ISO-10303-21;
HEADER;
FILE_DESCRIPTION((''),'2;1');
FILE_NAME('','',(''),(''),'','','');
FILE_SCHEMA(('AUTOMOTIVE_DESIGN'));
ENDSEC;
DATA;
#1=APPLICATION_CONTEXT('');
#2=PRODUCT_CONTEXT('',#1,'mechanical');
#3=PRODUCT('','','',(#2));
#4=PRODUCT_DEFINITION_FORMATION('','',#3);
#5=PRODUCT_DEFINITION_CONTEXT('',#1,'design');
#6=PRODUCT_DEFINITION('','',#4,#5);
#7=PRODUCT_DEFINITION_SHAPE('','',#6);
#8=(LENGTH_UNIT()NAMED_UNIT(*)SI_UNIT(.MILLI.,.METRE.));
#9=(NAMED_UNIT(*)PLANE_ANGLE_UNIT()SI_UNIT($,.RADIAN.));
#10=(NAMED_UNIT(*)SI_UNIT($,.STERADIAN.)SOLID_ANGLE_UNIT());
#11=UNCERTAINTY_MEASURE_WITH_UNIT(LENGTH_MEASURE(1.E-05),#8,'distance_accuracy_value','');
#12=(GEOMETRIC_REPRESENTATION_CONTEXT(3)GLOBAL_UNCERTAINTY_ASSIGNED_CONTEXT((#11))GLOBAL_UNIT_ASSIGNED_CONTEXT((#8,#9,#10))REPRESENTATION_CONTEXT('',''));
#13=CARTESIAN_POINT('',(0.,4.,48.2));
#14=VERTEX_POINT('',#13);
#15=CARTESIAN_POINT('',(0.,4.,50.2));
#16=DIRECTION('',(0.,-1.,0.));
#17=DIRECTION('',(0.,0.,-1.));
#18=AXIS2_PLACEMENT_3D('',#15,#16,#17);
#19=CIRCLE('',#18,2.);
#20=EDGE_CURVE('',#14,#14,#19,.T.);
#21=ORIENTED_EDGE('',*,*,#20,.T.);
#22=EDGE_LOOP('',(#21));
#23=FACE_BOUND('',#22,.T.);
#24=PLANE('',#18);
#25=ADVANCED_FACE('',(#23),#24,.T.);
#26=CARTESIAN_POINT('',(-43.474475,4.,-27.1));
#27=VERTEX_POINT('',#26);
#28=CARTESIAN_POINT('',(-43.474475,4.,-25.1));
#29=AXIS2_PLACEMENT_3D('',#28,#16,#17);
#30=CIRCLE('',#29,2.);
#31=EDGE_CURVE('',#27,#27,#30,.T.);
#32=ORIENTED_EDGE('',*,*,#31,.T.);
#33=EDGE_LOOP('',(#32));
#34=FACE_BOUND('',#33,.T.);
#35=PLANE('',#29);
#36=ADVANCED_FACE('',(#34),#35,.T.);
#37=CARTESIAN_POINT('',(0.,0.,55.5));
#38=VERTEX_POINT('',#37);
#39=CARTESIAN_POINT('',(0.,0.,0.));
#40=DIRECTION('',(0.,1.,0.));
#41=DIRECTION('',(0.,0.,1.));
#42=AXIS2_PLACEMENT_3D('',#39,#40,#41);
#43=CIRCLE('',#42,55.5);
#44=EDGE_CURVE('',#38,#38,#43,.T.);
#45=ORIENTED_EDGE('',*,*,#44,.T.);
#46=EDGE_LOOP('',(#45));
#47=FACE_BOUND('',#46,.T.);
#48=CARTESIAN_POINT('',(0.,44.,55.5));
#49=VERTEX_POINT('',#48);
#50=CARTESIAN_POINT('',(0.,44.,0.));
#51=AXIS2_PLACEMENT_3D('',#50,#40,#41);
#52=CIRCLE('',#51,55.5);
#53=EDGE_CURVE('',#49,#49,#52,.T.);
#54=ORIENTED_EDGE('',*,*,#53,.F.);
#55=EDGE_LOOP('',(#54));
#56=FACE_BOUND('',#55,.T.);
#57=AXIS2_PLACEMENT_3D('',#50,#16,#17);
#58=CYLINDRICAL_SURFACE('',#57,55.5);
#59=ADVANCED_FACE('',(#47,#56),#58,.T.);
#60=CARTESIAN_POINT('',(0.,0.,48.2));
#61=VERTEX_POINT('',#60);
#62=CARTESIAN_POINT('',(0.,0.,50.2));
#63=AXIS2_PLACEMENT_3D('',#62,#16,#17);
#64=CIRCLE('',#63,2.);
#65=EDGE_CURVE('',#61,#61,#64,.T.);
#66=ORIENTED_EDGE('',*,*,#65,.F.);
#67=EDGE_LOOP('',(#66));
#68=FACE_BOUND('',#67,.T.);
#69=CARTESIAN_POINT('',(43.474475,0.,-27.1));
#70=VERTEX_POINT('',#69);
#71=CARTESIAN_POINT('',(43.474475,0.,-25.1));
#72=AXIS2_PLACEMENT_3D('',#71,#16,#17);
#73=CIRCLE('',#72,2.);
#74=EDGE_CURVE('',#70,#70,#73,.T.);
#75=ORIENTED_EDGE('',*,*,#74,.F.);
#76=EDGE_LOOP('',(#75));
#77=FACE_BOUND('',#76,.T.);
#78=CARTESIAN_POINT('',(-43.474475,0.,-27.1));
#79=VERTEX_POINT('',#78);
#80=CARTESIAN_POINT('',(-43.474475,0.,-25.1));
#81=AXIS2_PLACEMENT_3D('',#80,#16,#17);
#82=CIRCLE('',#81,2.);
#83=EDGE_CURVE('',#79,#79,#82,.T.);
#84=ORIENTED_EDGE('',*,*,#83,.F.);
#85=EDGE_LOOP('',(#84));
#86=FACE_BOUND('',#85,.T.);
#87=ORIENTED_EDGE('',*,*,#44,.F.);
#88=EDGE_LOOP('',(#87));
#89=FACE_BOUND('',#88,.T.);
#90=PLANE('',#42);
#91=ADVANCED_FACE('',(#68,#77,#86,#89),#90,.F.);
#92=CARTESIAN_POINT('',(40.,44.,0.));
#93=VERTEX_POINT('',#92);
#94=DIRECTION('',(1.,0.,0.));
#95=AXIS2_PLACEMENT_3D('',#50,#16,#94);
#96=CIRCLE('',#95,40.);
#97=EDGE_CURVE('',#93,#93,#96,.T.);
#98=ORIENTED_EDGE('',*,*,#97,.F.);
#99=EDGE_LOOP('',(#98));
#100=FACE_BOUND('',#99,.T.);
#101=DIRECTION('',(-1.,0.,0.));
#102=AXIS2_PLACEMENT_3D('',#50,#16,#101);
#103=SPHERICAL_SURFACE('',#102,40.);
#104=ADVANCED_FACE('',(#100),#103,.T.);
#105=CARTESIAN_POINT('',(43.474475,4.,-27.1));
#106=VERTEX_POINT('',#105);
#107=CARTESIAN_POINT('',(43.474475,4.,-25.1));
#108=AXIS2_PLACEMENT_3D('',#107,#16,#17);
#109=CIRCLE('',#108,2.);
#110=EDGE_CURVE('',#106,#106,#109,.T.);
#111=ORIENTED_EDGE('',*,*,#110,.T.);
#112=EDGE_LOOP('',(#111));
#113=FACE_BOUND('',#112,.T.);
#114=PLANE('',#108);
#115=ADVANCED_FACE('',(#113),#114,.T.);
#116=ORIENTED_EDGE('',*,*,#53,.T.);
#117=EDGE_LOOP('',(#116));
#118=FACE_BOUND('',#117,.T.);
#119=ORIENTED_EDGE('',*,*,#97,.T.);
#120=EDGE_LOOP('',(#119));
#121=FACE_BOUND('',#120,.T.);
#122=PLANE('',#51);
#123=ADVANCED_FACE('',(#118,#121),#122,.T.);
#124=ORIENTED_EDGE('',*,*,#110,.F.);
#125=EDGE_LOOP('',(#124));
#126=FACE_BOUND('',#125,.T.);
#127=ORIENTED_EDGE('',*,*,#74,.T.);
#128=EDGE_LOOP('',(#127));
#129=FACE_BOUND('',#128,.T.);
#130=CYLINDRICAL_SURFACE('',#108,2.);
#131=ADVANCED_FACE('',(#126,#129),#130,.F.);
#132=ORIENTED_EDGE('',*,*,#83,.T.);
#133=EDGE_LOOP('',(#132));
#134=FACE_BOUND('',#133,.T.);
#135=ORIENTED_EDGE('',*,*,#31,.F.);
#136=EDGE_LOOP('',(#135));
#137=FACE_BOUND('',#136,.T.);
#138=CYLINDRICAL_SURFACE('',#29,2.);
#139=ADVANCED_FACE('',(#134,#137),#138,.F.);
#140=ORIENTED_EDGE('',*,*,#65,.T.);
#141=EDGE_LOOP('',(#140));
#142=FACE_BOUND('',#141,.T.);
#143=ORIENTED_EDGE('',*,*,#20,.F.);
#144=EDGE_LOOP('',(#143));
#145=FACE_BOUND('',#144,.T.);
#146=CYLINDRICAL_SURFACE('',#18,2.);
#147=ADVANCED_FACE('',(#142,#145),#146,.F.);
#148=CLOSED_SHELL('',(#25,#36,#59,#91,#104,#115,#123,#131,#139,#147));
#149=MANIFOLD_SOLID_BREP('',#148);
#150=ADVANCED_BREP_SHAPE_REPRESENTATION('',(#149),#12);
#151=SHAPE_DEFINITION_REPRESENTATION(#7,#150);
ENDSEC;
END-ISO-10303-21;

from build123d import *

# Parameters (mm, degrees)
SKETCH1_R           = 55.5
BOSS_EXTRUDE1_DEPTH = 44
SKETCH4_R           = 2
CUT_EXTRUDE1_DEPTH  = 4


with BuildPart() as part:
    # Sketch1 → Boss-Extrude1 (new body)
    with BuildSketch(Plane(origin=(0, 0, 0), x_dir=(1, 0, 0), z_dir=(0, 1, 0))):
        with Locations(Location((0, 0, 0), (0, 0, 270))):
            Circle(SKETCH1_R)
    extrude(amount=BOSS_EXTRUDE1_DEPTH)

    # Sketch3 → Revolve1 (revolve)
    with BuildSketch(Plane.XY):
        with BuildLine():
            Line((0, 44), (-40, 44))
            ThreePointArc((-40, 44), (-28.284271247, 72.284271247), (0, 84))
            Line((0, 84), (0, 44))
        make_face()
    revolve(axis=Axis((0, 44, 0), (0, 1, 0)))

    # Sketch4 → Cut-Extrude1 (cut)
    with BuildSketch(Plane.XZ):
        with Locations(Location((0, 50.2, 0), (0, 0, 270))):
            Circle(SKETCH4_R)
        with Locations(Location((43.47447527, -25.1, 0), (0, 0, 270))):
            Circle(SKETCH4_R)
        with Locations(Location((-43.47447527, -25.1, 0), (0, 0, 270))):
            Circle(SKETCH4_R)
    extrude(amount=-CUT_EXTRUDE1_DEPTH, mode=Mode.SUBTRACT)


solid = part.part
